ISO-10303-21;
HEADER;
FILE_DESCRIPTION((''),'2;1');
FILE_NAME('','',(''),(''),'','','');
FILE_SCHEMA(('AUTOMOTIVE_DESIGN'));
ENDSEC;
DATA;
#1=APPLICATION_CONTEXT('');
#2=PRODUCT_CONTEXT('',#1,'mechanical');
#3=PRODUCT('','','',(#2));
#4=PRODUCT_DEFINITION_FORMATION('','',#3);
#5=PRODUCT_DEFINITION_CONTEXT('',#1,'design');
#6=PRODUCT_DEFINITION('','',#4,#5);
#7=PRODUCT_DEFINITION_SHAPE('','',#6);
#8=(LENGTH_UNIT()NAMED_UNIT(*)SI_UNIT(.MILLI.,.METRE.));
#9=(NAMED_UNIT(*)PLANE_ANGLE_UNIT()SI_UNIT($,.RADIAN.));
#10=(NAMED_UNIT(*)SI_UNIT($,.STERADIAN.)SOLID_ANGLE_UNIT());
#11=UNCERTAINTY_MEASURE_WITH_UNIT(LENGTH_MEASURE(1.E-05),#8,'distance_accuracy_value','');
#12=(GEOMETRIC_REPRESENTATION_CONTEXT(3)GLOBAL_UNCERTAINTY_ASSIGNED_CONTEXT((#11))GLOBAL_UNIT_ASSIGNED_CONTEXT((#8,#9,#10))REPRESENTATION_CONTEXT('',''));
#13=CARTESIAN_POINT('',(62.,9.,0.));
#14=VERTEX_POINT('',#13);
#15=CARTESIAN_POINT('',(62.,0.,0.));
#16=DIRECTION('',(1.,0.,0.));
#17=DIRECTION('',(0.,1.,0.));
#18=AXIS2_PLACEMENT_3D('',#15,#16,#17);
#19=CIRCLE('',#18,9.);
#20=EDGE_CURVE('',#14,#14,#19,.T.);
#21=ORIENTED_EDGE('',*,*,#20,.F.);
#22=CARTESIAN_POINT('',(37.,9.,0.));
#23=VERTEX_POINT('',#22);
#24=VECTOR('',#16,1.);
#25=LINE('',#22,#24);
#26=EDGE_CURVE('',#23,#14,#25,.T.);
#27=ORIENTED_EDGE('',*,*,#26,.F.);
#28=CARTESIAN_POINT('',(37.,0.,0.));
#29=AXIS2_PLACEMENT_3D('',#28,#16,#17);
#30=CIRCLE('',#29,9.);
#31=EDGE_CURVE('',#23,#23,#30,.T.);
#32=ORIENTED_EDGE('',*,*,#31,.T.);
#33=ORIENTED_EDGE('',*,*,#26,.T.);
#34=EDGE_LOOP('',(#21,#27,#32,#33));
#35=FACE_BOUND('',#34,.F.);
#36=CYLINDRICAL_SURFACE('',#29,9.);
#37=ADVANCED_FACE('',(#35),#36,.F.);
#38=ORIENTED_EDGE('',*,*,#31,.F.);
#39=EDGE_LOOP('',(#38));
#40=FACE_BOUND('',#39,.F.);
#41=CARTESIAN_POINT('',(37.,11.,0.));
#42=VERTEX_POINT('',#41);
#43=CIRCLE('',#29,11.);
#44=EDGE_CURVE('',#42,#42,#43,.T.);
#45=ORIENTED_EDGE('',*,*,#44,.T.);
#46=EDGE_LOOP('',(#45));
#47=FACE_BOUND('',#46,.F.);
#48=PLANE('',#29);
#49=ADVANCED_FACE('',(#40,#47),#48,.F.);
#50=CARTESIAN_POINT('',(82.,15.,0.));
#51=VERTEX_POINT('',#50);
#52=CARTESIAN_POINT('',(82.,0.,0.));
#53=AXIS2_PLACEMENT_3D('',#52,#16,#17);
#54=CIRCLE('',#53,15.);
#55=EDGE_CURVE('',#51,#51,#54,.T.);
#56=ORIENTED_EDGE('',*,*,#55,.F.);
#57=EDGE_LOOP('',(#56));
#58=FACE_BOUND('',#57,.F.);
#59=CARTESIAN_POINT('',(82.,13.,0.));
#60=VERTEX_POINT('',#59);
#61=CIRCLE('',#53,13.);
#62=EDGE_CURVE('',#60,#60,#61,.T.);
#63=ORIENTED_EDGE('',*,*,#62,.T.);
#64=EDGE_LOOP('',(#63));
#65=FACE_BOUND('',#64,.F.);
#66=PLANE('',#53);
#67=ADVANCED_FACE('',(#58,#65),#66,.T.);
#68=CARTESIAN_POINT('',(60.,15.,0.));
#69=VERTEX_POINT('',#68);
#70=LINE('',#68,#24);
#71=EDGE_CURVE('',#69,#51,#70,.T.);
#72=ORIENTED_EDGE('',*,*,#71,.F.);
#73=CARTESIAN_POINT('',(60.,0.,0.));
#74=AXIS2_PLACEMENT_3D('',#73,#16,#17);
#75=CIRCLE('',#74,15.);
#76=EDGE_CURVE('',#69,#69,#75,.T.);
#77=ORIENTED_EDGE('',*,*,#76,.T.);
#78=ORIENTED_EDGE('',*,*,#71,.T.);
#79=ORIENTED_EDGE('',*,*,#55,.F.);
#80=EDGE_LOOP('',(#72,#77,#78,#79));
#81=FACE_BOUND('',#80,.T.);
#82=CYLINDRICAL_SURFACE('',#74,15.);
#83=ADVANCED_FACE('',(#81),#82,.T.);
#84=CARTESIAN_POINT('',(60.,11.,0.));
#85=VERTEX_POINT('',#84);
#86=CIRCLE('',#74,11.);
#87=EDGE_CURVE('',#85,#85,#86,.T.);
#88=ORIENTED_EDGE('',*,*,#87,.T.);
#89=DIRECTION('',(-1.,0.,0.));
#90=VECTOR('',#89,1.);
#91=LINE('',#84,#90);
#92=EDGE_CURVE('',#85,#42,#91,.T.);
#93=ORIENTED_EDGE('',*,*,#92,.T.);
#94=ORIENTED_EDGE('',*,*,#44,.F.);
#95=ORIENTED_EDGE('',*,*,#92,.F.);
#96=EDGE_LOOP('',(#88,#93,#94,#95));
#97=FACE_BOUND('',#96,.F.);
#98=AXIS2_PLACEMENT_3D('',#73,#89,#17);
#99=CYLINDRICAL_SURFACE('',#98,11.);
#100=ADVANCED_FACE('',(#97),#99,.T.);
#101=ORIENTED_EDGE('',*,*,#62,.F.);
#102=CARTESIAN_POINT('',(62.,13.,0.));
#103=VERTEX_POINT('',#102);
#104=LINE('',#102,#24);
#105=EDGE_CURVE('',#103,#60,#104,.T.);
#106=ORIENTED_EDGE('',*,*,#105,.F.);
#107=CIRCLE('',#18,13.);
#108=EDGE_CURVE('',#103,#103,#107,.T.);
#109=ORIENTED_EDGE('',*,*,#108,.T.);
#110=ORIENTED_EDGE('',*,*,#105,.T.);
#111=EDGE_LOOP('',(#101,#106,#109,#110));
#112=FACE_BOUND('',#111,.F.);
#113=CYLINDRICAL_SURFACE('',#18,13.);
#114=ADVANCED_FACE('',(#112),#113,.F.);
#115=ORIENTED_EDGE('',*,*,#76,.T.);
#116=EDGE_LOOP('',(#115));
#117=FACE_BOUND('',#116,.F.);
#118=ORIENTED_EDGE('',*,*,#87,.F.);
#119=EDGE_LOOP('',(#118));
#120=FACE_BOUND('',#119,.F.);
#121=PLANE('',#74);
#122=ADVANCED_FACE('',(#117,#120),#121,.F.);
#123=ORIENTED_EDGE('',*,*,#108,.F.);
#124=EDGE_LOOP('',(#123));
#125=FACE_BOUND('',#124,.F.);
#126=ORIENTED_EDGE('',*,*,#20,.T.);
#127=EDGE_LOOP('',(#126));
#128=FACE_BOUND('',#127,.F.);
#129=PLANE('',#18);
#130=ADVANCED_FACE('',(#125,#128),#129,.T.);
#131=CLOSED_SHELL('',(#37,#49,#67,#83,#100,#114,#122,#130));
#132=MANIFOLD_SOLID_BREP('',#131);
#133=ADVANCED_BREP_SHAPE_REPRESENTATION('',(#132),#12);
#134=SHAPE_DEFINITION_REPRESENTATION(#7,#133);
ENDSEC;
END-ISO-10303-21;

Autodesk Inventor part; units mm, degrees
ref_plane "YZ Plane" through (0, 0, 0) normal (1, 0, 0) x (0, 1, 0)
ref_plane "XZ Plane" through (0, 0, 0) normal (0, 1, 0) x (-1, 0, 0)
ref_plane "XY Plane" through (0, 0, 0) normal (0, 0, 1) x (1, 0, 0)
sketch "Sketch1" plane through (0, 0, 0) normal (0, 0, 1) x (1, 0, 0)
  line L0 (0, 0) -> (80, 0)
  line L1 (60, 15) -> (60, 11)
  line L2 (60, 11) -> (37, 11)
  line L3 (37, 11) -> (37, 9)
  line L4 (37, 9) -> (62, 9)
  line L5 (62, 9) -> (62, 9)
  line L6 (60, 15) -> (82, 15)
  line L7 (62, 9) -> (62, 13)
  line L8 (62, 13) -> (82, 13)
  line L9 (82, 13) -> (82, 15)
  point P0 (62, 11)
  dimension "d0" = 80
  dimension "d4" = 23
  dimension "d5" = 2
  dimension "d9" = 2
  dimension "d14" = 9
  dimension "d15" = 11
  dimension "d17" = 15
  dimension "d18" = 13
revolve "Revolution1" add sketch "Sketch1" angle 360 about axis through (0, 0, 0) along (1, 0, 0)
properties part number "Front Nozzle"
